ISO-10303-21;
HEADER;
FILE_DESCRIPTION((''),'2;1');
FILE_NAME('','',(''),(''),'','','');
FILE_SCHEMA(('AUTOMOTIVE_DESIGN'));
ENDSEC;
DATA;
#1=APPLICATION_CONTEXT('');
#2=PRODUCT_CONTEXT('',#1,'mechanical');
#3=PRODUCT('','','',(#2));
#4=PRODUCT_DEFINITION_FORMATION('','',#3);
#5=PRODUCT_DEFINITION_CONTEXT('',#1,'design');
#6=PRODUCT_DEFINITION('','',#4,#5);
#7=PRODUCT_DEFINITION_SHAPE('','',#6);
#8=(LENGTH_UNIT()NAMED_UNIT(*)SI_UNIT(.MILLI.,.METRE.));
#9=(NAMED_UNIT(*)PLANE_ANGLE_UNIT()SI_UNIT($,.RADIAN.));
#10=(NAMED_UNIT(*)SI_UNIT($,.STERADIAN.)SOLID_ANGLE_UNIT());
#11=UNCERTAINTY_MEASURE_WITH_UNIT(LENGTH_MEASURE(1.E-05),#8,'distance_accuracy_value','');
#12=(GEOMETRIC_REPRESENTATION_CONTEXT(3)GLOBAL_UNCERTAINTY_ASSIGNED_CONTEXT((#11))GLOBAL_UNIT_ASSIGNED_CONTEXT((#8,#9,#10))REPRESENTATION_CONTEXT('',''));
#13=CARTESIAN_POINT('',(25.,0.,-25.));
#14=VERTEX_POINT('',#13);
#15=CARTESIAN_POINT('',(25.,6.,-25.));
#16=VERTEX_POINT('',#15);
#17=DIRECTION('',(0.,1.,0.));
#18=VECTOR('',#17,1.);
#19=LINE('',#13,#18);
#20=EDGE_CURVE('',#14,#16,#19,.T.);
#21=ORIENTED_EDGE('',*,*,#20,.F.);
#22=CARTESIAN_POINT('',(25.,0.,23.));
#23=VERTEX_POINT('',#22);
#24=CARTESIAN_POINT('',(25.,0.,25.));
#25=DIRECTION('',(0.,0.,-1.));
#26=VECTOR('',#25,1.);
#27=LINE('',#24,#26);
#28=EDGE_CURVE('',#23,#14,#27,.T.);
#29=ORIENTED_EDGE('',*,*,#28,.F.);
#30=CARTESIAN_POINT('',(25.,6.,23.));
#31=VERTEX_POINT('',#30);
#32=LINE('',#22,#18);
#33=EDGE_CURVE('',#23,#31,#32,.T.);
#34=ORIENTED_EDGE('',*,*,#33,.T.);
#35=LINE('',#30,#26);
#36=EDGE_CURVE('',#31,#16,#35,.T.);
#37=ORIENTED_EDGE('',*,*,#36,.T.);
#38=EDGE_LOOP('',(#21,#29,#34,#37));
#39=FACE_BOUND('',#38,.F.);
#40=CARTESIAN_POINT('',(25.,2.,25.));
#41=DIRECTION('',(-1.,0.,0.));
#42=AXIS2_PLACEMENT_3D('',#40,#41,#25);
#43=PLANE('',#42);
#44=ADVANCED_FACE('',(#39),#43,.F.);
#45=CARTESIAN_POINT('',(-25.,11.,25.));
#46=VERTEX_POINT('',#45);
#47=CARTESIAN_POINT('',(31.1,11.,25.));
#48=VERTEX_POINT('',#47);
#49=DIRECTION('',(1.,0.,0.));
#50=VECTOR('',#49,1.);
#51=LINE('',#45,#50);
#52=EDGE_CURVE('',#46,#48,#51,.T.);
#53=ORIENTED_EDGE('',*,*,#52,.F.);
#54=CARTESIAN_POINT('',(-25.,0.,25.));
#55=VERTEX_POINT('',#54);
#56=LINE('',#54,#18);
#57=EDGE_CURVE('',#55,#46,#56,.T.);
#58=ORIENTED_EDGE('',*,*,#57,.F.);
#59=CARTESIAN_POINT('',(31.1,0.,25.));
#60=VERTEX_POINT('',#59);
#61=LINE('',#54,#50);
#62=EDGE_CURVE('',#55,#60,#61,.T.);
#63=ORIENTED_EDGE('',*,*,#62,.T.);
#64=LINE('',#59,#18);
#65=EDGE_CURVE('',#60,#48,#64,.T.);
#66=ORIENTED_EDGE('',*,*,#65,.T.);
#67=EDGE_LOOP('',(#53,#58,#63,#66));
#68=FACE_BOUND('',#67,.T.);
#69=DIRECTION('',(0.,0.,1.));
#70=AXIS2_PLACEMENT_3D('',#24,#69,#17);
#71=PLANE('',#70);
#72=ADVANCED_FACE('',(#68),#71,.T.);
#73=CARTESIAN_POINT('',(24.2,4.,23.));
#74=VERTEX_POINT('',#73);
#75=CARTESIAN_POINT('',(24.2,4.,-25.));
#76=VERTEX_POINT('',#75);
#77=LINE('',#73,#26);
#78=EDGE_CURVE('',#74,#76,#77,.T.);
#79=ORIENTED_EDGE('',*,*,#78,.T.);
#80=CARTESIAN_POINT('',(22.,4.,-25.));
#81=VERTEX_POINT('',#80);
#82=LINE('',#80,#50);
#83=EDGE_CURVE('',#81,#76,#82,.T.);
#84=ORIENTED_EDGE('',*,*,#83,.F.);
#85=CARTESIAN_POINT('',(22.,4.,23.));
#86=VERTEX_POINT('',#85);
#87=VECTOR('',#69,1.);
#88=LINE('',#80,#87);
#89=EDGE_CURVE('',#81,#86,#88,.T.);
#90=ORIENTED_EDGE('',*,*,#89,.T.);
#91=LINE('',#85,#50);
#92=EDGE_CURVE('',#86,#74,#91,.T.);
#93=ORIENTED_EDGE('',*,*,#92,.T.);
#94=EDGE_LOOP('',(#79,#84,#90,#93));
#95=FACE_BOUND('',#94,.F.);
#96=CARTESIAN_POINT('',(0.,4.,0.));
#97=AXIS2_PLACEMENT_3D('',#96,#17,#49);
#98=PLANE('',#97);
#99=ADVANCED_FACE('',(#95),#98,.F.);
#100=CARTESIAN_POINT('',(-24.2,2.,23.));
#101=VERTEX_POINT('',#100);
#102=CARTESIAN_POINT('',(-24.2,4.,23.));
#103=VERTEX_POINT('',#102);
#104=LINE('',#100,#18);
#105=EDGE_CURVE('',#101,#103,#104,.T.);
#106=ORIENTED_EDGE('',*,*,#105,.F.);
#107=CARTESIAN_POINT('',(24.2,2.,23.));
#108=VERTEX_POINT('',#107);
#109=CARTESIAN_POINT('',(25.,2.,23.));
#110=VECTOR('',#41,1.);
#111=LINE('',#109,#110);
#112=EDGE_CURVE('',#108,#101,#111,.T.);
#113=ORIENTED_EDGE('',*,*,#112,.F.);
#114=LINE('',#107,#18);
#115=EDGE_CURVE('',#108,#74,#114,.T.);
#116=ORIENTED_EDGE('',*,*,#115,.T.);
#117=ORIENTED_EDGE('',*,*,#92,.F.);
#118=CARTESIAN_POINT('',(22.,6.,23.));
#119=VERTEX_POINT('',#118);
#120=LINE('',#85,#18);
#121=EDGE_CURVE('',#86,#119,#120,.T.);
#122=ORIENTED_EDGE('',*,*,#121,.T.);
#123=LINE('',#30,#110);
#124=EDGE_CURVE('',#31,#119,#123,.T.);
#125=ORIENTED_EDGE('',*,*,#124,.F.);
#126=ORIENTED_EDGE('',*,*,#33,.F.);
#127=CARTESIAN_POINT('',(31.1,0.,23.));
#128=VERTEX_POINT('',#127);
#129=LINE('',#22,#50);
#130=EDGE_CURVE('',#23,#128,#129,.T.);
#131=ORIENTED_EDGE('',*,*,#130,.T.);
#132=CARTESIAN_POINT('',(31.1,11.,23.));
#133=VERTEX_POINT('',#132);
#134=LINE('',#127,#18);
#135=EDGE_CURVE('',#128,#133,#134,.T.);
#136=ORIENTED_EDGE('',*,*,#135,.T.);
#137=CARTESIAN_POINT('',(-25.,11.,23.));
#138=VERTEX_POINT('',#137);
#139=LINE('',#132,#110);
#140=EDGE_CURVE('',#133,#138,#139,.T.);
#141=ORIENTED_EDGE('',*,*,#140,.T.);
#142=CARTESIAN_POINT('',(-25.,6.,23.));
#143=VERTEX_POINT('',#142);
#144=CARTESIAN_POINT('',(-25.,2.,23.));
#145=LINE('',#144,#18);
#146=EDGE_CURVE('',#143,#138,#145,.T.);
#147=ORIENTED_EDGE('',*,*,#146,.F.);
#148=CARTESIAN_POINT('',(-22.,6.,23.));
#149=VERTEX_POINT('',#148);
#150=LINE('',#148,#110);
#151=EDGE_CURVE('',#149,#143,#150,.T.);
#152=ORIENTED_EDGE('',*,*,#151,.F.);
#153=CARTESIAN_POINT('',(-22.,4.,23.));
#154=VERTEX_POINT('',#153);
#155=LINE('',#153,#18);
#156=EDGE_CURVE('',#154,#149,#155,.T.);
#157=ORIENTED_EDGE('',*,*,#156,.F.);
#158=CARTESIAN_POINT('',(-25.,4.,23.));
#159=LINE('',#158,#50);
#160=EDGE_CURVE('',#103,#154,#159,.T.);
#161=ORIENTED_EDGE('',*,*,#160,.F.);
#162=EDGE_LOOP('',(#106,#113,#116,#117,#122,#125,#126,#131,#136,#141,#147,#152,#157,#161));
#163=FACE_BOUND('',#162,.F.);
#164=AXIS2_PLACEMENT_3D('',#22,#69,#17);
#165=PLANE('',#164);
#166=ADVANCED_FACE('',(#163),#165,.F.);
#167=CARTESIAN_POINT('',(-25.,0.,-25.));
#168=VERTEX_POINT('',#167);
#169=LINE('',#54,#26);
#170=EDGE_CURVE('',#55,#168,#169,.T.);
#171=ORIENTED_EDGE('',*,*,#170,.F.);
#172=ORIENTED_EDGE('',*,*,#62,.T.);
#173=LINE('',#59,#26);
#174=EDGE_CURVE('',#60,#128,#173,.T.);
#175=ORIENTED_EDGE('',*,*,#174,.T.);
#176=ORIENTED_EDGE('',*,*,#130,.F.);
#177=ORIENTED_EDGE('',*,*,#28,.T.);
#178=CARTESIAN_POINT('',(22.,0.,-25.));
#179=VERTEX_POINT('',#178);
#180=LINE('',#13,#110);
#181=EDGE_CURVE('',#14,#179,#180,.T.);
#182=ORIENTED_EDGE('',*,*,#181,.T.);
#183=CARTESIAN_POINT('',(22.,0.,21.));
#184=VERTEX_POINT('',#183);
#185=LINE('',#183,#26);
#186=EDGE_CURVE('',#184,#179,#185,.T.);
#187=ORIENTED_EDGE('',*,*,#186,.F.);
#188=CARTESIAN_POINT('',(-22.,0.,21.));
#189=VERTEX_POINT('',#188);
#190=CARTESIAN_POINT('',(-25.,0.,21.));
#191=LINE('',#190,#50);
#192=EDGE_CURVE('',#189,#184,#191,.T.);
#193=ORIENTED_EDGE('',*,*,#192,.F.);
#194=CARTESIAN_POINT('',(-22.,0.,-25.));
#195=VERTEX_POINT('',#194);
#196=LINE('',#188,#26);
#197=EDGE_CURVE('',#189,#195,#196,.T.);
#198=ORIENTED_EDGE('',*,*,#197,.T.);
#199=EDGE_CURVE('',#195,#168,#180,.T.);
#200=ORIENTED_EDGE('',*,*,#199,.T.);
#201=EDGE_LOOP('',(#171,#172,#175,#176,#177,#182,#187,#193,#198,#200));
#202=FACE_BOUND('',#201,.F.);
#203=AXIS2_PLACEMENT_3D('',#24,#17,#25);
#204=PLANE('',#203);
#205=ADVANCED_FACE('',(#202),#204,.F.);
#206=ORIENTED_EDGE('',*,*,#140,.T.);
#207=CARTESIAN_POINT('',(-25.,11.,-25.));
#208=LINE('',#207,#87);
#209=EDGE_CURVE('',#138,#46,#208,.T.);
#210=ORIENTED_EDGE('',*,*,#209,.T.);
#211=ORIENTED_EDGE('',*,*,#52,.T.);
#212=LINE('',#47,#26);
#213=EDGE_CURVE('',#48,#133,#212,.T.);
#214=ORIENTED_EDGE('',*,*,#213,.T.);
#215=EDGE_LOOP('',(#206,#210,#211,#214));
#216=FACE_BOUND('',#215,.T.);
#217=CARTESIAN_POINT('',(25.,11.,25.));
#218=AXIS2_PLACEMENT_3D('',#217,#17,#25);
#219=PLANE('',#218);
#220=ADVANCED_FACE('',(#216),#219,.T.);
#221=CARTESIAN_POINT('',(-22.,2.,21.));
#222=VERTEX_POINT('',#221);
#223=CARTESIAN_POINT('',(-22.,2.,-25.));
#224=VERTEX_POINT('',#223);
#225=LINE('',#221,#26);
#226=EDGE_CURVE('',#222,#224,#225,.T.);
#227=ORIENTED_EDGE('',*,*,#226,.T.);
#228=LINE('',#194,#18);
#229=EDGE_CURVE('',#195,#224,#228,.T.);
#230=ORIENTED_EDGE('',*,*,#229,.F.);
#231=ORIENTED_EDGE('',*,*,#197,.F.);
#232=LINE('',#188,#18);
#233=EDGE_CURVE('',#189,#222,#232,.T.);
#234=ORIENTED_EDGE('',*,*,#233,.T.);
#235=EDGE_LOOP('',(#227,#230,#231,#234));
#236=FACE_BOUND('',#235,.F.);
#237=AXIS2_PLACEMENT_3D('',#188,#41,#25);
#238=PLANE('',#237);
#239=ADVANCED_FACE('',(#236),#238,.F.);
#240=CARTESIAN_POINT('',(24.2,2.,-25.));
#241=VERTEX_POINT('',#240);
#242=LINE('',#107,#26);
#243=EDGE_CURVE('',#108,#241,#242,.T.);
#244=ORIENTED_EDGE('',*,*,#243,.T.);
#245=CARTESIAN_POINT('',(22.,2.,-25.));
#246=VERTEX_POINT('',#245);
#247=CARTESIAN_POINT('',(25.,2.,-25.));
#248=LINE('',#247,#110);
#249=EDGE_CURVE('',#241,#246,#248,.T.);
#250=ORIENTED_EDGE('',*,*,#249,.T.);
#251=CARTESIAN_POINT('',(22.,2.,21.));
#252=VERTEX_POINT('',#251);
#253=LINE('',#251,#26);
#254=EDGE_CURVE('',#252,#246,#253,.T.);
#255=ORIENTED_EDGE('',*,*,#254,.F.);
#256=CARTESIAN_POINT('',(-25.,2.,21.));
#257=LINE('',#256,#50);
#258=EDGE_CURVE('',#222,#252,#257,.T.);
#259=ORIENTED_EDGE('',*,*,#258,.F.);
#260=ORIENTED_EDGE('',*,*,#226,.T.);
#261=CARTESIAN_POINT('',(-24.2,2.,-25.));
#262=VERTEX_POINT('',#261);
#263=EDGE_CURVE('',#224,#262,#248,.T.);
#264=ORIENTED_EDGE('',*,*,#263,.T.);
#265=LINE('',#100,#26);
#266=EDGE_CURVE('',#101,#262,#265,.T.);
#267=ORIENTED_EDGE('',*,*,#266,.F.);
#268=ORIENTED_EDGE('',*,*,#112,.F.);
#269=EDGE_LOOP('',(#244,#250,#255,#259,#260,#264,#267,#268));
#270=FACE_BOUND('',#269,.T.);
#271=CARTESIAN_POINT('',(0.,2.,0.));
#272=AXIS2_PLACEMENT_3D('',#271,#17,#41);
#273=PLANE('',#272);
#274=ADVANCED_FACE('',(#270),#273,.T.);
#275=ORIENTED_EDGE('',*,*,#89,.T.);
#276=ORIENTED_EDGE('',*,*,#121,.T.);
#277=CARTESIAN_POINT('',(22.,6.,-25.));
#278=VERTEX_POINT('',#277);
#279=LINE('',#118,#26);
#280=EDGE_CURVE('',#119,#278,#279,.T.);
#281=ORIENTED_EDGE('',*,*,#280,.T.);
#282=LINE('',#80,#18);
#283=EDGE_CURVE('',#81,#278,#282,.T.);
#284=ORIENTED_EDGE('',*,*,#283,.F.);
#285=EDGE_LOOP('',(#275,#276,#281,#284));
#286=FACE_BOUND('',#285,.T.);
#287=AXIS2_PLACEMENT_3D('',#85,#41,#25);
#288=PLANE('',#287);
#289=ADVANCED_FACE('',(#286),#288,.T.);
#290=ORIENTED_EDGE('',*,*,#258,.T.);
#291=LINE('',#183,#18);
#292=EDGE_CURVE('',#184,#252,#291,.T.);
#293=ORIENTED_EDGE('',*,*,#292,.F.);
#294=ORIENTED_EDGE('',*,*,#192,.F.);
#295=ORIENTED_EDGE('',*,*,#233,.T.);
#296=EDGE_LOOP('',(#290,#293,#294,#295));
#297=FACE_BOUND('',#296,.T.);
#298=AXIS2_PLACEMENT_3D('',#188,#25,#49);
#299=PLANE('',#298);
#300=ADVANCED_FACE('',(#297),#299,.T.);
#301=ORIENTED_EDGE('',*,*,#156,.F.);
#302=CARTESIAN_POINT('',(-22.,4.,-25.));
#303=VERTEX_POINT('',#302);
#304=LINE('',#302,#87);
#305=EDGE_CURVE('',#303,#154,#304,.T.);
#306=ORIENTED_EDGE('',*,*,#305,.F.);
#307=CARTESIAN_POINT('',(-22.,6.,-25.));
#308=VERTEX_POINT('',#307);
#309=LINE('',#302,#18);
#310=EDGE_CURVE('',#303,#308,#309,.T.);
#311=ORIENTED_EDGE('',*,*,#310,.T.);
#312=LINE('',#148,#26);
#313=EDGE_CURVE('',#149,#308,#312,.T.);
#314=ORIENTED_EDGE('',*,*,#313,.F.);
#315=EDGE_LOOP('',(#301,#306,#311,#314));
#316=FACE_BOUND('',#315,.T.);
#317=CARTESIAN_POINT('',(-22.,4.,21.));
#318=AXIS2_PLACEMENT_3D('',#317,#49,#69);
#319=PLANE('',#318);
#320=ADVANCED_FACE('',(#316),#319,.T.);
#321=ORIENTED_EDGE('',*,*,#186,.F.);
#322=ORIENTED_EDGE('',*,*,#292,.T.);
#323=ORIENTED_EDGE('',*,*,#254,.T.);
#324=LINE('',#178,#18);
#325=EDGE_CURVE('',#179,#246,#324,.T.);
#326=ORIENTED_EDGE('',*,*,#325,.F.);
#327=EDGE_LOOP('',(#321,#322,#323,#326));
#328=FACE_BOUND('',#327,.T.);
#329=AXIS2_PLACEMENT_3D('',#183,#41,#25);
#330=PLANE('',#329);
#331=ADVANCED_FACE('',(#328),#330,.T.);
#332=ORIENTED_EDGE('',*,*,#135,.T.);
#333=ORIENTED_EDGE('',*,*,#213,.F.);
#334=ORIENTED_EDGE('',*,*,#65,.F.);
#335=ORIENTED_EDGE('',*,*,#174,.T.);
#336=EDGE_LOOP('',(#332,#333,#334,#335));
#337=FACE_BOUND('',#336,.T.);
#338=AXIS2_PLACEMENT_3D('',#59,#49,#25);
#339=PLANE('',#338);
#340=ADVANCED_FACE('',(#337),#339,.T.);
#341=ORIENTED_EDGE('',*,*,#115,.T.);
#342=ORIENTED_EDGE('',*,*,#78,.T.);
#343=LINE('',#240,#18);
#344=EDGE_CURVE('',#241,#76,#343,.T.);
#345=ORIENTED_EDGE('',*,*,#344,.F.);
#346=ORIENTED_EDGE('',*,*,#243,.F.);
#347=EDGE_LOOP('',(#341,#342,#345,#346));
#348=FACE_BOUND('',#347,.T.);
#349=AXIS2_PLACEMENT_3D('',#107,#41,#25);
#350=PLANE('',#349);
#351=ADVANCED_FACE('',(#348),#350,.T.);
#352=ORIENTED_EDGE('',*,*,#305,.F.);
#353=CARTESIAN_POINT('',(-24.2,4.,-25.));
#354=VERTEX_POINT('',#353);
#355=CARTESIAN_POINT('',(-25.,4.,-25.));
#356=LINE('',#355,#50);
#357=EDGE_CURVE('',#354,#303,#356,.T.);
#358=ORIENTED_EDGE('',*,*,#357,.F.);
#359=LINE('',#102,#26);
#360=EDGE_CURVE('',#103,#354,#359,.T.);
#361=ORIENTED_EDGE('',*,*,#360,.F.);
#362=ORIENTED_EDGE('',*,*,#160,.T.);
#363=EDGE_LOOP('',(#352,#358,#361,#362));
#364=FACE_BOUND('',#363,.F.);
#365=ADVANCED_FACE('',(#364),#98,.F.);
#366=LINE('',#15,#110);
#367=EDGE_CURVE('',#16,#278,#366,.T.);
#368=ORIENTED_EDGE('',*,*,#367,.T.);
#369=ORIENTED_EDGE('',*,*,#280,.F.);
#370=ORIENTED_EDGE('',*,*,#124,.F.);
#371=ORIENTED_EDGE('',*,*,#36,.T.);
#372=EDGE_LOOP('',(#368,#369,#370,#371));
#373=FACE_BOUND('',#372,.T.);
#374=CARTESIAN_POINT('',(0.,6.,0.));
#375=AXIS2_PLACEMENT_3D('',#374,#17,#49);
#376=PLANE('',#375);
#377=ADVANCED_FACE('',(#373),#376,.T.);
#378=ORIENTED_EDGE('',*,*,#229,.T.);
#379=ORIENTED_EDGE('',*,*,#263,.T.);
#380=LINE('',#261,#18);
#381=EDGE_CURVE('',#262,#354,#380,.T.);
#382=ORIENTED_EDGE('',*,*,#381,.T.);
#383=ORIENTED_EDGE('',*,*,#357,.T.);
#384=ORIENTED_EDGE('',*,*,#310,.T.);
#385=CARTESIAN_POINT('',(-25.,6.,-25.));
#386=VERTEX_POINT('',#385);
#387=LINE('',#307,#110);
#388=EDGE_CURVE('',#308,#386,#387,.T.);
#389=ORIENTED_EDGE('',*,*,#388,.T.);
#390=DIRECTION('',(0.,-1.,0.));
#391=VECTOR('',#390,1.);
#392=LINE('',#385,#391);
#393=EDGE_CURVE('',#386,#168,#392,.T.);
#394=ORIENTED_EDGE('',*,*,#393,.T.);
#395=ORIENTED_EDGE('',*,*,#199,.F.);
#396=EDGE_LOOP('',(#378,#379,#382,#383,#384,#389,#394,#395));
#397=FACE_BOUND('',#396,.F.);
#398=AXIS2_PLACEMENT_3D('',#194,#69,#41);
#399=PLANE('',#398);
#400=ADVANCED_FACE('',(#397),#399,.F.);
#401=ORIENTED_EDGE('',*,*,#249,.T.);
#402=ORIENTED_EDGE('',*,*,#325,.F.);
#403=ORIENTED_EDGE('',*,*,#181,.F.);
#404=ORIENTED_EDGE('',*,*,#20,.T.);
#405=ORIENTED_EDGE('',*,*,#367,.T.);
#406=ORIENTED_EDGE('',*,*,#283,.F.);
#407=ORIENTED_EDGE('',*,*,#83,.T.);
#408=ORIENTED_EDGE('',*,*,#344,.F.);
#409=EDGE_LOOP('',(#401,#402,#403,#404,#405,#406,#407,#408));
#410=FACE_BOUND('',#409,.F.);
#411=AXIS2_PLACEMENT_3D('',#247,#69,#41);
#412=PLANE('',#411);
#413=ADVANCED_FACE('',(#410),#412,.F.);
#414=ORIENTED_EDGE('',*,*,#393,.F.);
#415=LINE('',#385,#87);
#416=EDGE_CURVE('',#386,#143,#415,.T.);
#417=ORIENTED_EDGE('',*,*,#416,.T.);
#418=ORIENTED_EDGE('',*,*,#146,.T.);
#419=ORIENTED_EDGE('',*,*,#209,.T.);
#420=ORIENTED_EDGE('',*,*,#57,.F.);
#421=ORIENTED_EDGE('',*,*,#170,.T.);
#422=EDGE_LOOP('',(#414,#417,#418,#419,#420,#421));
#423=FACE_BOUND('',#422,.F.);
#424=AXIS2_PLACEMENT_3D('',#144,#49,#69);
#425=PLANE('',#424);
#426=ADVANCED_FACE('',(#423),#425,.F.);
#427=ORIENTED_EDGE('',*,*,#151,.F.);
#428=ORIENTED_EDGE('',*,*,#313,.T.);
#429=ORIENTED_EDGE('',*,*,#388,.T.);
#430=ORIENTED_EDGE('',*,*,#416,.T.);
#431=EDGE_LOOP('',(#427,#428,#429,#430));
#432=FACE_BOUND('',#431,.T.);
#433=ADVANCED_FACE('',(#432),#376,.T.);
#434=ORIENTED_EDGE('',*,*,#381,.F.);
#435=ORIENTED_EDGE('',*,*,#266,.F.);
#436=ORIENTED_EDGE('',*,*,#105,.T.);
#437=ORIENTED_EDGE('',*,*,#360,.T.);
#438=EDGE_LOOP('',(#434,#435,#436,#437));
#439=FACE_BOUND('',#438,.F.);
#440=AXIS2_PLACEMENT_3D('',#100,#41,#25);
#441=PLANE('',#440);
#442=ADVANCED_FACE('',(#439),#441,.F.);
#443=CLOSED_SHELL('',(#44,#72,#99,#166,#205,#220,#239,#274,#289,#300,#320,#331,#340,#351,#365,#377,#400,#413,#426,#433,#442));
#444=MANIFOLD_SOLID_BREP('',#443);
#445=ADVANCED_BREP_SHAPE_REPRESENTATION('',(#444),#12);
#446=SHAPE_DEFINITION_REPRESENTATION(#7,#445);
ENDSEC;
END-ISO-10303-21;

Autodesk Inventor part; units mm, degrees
ref_plane "YZ Plane" through (0, 0, 0) normal (1, 0, 0) x (0, 1, 0)
ref_plane "XZ Plane" through (0, 0, 0) normal (0, 1, 0) x (-1, 0, 0)
ref_plane "XY Plane" through (0, 0, 0) normal (0, 0, 1) x (1, 0, 0)
sketch "Sketch1" plane through (0, 0, 0) normal (0, 1, 0) x (-1, 0, 0)
  line L0 (-25, -25) -> (25, -25)
  line L1 (25, -25) -> (25, 25)
  line L2 (25, 25) -> (-25, 25)
  line L3 (-25, 25) -> (-25, -25)
  line L4 (-25, -25) -> (25, 25) construction
  line L5 (25, -25) -> (-25, 25) construction
  line L6 (25, 21) -> (-25, 21)
  line L7 (22, 21) -> (22, -25)
  line L8 (-22, 21) -> (-22, -25)
  point P0 (0, 0)
  dimension "d0" = 50
  dimension "d1" = 50
  dimension "d2" = 4
  dimension "d3" = 3
  dimension "d4" = 3
extrude "Extrusion1" add sketch "Sketch1" along normal blind 2 contours L3 L6 L8 L0 | L3 L2 L1 L6 | L7 L6 L1 L0
sketch "Sketch2" plane through (0, 2, 0) normal (0, 1, 0) x (1, 0, 0)
  line L0 (-22, 25) -> (-25, 25) projected
  line L1 (-25, 25) -> (-25, -25) projected
  line L2 (-25, -25) -> (25, -25) projected
  line L3 (25, -25) -> (25, 25) projected
  line L4 (25, 25) -> (22, 25) projected
  line L5 (22, 25) -> (22, -21) projected
  line L6 (22, -21) -> (-22, -21) projected
  line L7 (-22, -21) -> (-22, 25) projected
  line L8 (-25, -25) -> (25, -25)
  line L9 (25, -25) -> (25, -23)
  line L10 (25, -23) -> (-25, -23)
  line L11 (-25, -23) -> (-25, -25)
  point P0 (0, 0)
  dimension "d7" = 2
extrude "Extrusion2" add sketch "Sketch2" along normal blind 9 contours L10 L3 L2 L1
sketch "Sketch3" plane through (0, 2, 0) normal (0, 1, 0) x (1, 0, 0)
  line L0 (-25, -23) -> (25, -23) projected
  line L1 (25, -23) -> (25, 25) projected
  line L2 (25, 25) -> (22, 25) projected
  line L3 (22, 25) -> (22, -21) projected
  line L4 (22, -21) -> (-22, -21) projected
  line L5 (-22, -21) -> (-22, 25) projected
  line L6 (-22, 25) -> (-25, 25) projected
  line L7 (-25, 25) -> (-25, -23) projected
  line L8 (-25, -23) -> (-24.2, -23)
  line L9 (-24.2, -23) -> (-24.2, 25)
  line L10 (-24.2, 25) -> (-25, 25)
  line L11 (-25, 25) -> (-25, -23)
  line L12 (25, -23) -> (24.2, -23)
  line L13 (24.2, -23) -> (24.2, 25)
  line L14 (24.2, 25) -> (25, 25)
  line L15 (25, 25) -> (25, -23)
  point P0 (0, 0)
  dimension "d10" = 0.8
  dimension "d11" = 0.8
extrude "Extrusion3" add sketch "Sketch3" along normal blind 2 contours L7 L6 L9 L0 | L13 L2 L1 L0
sketch "Sketch4" plane through (0, 4, 0) normal (0, 1, 0) x (1, 0, 0)
  line L0 (-24.2, 25) -> (-25, 25) projected
  line L1 (-25, 25) -> (-25, -23) projected
  line L2 (-24.2, -23) -> (-25, -23) projected
  line L3 (-24.2, -23) -> (-24.2, 25) projected
  line L4 (24.2, -23) -> (24.2, 25) projected
  line L5 (24.2, 25) -> (22, 25) projected
  line L6 (22, 25) -> (22, -21) projected
  line L7 (22, -21) -> (-22, -21) projected
  line L8 (-22, -21) -> (-22, 25) projected
  line L9 (-22, 25) -> (-24.2, 25) projected
  line L10 (-24.2, 25) -> (-24.2, -23) projected
  line L11 (-24.2, -23) -> (24.2, -23) projected
  line L12 (-25, 25) -> (-22, 25)
  line L13 (-22, 25) -> (-22, -23)
  line L14 (-22, -23) -> (-25, -23)
  line L15 (-25, -23) -> (-25, 25)
  line L16 (25, -23) -> (24.2, -23) projected
  line L17 (25, -23) -> (25, 25) projected
  line L18 (25, 25) -> (24.2, 25) projected
  line L19 (24.2, 25) -> (24.2, -23) projected
  line L20 (25, -23) -> (22, -23)
  line L21 (22, -23) -> (22, 25)
  line L22 (22, 25) -> (25, 25)
  line L23 (25, 25) -> (25, -23)
  point P0 (0, 0)
extrude "Extrusion4" add sketch "Sketch4" along normal blind 2 contours L3 L2 L1 L0 | L9 L8 L13 L11 L3 | L21 L6 L5 L4 L11 | L4 L18 L17 L16
sketch "Sketch5" plane through (25, 0, 25) normal (1, 0, 0) x (0, 0, -1)
  line L0 (0, 11) -> (2, 11) projected
  line L1 (0, 0) -> (0, 11) projected
  line L2 (2, 11) -> (0, 11)
  line L3 (0, 11) -> (0, 0)
  line L4 (0, 0) -> (2, 0)
  line L5 (2, 0) -> (2, 11)
  point P0 (25, 0)
extrude "Extrusion5" add sketch "Sketch5" along normal blind 6.1
properties part number "clip_pcb-command" material "ABS Plastic"
